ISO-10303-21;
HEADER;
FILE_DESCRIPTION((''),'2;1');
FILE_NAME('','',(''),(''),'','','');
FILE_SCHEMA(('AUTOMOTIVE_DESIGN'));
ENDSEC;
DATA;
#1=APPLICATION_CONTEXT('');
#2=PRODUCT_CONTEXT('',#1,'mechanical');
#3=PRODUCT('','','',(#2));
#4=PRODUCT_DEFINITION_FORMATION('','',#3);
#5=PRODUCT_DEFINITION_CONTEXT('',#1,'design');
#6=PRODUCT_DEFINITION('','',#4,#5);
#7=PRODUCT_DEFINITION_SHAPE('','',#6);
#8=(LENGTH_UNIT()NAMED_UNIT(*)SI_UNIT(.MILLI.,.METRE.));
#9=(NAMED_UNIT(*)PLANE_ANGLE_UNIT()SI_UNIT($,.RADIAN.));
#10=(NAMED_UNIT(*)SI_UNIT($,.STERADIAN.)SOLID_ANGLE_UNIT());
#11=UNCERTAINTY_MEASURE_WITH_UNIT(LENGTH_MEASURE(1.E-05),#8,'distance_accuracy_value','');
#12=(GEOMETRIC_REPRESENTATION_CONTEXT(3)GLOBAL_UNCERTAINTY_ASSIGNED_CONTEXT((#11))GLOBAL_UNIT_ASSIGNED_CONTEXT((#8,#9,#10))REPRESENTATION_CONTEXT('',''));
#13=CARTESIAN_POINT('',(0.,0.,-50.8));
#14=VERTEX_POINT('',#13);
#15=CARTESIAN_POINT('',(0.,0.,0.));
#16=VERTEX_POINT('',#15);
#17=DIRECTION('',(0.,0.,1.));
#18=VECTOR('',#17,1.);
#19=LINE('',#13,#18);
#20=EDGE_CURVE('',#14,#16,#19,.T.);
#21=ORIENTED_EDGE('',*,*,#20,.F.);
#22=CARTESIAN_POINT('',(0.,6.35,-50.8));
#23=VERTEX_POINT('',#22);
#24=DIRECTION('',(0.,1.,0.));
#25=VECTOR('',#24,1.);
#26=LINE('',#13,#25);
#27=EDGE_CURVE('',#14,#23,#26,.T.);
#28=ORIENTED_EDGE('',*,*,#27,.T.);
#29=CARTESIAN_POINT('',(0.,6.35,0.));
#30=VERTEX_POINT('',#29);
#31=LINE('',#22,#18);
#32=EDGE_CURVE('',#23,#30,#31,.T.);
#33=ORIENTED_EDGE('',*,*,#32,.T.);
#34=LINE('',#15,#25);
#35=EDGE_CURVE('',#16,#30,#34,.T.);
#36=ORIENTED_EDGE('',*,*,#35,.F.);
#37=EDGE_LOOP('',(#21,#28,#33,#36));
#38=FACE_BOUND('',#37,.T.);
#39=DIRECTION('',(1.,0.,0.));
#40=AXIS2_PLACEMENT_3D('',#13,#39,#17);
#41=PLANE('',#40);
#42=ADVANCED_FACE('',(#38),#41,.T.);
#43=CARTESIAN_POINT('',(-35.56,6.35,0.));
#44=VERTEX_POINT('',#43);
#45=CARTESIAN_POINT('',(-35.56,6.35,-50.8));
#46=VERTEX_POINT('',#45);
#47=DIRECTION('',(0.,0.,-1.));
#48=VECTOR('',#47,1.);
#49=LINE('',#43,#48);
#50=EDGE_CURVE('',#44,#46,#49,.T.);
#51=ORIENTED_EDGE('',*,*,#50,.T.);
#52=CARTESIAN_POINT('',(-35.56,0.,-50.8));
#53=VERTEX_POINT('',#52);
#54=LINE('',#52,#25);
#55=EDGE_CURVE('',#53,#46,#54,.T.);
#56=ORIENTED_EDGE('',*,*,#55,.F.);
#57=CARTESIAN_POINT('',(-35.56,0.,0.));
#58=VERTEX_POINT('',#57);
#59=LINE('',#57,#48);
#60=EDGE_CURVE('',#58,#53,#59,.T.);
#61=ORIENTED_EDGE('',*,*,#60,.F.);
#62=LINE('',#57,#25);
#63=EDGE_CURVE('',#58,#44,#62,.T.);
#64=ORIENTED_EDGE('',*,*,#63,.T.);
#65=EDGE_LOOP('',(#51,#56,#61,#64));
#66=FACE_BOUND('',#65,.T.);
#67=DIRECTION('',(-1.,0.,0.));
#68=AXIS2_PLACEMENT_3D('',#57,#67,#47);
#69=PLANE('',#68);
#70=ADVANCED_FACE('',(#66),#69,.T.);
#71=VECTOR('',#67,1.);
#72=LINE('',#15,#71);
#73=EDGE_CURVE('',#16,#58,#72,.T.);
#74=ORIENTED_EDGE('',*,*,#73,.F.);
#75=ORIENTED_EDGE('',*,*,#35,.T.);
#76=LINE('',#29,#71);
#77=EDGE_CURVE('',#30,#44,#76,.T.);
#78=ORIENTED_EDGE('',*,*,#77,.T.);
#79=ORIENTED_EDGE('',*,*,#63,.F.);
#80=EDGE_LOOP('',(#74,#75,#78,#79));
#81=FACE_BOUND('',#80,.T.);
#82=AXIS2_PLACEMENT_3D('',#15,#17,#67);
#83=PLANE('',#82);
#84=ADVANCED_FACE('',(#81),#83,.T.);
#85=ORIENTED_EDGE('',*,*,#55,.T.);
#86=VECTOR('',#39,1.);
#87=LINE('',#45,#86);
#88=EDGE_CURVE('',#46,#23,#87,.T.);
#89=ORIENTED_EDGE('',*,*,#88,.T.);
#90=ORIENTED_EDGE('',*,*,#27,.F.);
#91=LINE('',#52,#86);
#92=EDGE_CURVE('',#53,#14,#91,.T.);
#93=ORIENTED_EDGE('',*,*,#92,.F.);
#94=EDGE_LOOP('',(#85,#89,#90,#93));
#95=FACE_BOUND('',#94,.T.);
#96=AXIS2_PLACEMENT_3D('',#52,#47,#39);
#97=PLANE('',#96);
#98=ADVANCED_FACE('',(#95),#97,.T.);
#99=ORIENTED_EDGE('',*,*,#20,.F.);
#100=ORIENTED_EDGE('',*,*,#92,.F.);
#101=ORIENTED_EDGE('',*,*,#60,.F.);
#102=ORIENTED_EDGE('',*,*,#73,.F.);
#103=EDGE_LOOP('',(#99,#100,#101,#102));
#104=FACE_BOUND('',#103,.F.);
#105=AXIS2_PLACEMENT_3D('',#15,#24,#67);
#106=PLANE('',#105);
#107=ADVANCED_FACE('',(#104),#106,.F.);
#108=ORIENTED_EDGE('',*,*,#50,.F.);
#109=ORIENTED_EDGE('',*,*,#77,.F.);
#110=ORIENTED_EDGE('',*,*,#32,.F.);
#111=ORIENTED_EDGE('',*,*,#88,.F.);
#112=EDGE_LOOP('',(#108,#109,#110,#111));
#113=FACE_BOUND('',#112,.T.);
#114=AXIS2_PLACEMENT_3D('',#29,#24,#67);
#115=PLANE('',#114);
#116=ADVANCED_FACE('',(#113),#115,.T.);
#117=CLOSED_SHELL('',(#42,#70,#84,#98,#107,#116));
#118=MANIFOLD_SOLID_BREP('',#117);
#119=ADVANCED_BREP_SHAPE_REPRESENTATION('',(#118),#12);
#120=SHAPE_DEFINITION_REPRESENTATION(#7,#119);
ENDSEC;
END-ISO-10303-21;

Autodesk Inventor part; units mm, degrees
ref_plane "YZ Plane" through (0, 0, 0) normal (1, 0, 0) x (0, 1, 0)
ref_plane "XZ Plane" through (0, 0, 0) normal (0, 1, 0) x (-1, 0, 0)
ref_plane "XY Plane" through (0, 0, 0) normal (0, 0, 1) x (1, 0, 0)
sketch "Sketch1" plane through (0, 0, 0) normal (0, 1, 0) x (-1, 0, 0)
  line L0 (0, 0) -> (35.56, 0)
  line L1 (35.56, 0) -> (35.56, -50.8)
  line L2 (35.56, -50.8) -> (0, -50.8)
  line L3 (0, -50.8) -> (0, 0)
  dimension "d0" = 35.56
  dimension "d1" = 50.8
extrude "Extrusion1" add sketch "Sketch1" along normal blind 6.35
properties part number "Base"
